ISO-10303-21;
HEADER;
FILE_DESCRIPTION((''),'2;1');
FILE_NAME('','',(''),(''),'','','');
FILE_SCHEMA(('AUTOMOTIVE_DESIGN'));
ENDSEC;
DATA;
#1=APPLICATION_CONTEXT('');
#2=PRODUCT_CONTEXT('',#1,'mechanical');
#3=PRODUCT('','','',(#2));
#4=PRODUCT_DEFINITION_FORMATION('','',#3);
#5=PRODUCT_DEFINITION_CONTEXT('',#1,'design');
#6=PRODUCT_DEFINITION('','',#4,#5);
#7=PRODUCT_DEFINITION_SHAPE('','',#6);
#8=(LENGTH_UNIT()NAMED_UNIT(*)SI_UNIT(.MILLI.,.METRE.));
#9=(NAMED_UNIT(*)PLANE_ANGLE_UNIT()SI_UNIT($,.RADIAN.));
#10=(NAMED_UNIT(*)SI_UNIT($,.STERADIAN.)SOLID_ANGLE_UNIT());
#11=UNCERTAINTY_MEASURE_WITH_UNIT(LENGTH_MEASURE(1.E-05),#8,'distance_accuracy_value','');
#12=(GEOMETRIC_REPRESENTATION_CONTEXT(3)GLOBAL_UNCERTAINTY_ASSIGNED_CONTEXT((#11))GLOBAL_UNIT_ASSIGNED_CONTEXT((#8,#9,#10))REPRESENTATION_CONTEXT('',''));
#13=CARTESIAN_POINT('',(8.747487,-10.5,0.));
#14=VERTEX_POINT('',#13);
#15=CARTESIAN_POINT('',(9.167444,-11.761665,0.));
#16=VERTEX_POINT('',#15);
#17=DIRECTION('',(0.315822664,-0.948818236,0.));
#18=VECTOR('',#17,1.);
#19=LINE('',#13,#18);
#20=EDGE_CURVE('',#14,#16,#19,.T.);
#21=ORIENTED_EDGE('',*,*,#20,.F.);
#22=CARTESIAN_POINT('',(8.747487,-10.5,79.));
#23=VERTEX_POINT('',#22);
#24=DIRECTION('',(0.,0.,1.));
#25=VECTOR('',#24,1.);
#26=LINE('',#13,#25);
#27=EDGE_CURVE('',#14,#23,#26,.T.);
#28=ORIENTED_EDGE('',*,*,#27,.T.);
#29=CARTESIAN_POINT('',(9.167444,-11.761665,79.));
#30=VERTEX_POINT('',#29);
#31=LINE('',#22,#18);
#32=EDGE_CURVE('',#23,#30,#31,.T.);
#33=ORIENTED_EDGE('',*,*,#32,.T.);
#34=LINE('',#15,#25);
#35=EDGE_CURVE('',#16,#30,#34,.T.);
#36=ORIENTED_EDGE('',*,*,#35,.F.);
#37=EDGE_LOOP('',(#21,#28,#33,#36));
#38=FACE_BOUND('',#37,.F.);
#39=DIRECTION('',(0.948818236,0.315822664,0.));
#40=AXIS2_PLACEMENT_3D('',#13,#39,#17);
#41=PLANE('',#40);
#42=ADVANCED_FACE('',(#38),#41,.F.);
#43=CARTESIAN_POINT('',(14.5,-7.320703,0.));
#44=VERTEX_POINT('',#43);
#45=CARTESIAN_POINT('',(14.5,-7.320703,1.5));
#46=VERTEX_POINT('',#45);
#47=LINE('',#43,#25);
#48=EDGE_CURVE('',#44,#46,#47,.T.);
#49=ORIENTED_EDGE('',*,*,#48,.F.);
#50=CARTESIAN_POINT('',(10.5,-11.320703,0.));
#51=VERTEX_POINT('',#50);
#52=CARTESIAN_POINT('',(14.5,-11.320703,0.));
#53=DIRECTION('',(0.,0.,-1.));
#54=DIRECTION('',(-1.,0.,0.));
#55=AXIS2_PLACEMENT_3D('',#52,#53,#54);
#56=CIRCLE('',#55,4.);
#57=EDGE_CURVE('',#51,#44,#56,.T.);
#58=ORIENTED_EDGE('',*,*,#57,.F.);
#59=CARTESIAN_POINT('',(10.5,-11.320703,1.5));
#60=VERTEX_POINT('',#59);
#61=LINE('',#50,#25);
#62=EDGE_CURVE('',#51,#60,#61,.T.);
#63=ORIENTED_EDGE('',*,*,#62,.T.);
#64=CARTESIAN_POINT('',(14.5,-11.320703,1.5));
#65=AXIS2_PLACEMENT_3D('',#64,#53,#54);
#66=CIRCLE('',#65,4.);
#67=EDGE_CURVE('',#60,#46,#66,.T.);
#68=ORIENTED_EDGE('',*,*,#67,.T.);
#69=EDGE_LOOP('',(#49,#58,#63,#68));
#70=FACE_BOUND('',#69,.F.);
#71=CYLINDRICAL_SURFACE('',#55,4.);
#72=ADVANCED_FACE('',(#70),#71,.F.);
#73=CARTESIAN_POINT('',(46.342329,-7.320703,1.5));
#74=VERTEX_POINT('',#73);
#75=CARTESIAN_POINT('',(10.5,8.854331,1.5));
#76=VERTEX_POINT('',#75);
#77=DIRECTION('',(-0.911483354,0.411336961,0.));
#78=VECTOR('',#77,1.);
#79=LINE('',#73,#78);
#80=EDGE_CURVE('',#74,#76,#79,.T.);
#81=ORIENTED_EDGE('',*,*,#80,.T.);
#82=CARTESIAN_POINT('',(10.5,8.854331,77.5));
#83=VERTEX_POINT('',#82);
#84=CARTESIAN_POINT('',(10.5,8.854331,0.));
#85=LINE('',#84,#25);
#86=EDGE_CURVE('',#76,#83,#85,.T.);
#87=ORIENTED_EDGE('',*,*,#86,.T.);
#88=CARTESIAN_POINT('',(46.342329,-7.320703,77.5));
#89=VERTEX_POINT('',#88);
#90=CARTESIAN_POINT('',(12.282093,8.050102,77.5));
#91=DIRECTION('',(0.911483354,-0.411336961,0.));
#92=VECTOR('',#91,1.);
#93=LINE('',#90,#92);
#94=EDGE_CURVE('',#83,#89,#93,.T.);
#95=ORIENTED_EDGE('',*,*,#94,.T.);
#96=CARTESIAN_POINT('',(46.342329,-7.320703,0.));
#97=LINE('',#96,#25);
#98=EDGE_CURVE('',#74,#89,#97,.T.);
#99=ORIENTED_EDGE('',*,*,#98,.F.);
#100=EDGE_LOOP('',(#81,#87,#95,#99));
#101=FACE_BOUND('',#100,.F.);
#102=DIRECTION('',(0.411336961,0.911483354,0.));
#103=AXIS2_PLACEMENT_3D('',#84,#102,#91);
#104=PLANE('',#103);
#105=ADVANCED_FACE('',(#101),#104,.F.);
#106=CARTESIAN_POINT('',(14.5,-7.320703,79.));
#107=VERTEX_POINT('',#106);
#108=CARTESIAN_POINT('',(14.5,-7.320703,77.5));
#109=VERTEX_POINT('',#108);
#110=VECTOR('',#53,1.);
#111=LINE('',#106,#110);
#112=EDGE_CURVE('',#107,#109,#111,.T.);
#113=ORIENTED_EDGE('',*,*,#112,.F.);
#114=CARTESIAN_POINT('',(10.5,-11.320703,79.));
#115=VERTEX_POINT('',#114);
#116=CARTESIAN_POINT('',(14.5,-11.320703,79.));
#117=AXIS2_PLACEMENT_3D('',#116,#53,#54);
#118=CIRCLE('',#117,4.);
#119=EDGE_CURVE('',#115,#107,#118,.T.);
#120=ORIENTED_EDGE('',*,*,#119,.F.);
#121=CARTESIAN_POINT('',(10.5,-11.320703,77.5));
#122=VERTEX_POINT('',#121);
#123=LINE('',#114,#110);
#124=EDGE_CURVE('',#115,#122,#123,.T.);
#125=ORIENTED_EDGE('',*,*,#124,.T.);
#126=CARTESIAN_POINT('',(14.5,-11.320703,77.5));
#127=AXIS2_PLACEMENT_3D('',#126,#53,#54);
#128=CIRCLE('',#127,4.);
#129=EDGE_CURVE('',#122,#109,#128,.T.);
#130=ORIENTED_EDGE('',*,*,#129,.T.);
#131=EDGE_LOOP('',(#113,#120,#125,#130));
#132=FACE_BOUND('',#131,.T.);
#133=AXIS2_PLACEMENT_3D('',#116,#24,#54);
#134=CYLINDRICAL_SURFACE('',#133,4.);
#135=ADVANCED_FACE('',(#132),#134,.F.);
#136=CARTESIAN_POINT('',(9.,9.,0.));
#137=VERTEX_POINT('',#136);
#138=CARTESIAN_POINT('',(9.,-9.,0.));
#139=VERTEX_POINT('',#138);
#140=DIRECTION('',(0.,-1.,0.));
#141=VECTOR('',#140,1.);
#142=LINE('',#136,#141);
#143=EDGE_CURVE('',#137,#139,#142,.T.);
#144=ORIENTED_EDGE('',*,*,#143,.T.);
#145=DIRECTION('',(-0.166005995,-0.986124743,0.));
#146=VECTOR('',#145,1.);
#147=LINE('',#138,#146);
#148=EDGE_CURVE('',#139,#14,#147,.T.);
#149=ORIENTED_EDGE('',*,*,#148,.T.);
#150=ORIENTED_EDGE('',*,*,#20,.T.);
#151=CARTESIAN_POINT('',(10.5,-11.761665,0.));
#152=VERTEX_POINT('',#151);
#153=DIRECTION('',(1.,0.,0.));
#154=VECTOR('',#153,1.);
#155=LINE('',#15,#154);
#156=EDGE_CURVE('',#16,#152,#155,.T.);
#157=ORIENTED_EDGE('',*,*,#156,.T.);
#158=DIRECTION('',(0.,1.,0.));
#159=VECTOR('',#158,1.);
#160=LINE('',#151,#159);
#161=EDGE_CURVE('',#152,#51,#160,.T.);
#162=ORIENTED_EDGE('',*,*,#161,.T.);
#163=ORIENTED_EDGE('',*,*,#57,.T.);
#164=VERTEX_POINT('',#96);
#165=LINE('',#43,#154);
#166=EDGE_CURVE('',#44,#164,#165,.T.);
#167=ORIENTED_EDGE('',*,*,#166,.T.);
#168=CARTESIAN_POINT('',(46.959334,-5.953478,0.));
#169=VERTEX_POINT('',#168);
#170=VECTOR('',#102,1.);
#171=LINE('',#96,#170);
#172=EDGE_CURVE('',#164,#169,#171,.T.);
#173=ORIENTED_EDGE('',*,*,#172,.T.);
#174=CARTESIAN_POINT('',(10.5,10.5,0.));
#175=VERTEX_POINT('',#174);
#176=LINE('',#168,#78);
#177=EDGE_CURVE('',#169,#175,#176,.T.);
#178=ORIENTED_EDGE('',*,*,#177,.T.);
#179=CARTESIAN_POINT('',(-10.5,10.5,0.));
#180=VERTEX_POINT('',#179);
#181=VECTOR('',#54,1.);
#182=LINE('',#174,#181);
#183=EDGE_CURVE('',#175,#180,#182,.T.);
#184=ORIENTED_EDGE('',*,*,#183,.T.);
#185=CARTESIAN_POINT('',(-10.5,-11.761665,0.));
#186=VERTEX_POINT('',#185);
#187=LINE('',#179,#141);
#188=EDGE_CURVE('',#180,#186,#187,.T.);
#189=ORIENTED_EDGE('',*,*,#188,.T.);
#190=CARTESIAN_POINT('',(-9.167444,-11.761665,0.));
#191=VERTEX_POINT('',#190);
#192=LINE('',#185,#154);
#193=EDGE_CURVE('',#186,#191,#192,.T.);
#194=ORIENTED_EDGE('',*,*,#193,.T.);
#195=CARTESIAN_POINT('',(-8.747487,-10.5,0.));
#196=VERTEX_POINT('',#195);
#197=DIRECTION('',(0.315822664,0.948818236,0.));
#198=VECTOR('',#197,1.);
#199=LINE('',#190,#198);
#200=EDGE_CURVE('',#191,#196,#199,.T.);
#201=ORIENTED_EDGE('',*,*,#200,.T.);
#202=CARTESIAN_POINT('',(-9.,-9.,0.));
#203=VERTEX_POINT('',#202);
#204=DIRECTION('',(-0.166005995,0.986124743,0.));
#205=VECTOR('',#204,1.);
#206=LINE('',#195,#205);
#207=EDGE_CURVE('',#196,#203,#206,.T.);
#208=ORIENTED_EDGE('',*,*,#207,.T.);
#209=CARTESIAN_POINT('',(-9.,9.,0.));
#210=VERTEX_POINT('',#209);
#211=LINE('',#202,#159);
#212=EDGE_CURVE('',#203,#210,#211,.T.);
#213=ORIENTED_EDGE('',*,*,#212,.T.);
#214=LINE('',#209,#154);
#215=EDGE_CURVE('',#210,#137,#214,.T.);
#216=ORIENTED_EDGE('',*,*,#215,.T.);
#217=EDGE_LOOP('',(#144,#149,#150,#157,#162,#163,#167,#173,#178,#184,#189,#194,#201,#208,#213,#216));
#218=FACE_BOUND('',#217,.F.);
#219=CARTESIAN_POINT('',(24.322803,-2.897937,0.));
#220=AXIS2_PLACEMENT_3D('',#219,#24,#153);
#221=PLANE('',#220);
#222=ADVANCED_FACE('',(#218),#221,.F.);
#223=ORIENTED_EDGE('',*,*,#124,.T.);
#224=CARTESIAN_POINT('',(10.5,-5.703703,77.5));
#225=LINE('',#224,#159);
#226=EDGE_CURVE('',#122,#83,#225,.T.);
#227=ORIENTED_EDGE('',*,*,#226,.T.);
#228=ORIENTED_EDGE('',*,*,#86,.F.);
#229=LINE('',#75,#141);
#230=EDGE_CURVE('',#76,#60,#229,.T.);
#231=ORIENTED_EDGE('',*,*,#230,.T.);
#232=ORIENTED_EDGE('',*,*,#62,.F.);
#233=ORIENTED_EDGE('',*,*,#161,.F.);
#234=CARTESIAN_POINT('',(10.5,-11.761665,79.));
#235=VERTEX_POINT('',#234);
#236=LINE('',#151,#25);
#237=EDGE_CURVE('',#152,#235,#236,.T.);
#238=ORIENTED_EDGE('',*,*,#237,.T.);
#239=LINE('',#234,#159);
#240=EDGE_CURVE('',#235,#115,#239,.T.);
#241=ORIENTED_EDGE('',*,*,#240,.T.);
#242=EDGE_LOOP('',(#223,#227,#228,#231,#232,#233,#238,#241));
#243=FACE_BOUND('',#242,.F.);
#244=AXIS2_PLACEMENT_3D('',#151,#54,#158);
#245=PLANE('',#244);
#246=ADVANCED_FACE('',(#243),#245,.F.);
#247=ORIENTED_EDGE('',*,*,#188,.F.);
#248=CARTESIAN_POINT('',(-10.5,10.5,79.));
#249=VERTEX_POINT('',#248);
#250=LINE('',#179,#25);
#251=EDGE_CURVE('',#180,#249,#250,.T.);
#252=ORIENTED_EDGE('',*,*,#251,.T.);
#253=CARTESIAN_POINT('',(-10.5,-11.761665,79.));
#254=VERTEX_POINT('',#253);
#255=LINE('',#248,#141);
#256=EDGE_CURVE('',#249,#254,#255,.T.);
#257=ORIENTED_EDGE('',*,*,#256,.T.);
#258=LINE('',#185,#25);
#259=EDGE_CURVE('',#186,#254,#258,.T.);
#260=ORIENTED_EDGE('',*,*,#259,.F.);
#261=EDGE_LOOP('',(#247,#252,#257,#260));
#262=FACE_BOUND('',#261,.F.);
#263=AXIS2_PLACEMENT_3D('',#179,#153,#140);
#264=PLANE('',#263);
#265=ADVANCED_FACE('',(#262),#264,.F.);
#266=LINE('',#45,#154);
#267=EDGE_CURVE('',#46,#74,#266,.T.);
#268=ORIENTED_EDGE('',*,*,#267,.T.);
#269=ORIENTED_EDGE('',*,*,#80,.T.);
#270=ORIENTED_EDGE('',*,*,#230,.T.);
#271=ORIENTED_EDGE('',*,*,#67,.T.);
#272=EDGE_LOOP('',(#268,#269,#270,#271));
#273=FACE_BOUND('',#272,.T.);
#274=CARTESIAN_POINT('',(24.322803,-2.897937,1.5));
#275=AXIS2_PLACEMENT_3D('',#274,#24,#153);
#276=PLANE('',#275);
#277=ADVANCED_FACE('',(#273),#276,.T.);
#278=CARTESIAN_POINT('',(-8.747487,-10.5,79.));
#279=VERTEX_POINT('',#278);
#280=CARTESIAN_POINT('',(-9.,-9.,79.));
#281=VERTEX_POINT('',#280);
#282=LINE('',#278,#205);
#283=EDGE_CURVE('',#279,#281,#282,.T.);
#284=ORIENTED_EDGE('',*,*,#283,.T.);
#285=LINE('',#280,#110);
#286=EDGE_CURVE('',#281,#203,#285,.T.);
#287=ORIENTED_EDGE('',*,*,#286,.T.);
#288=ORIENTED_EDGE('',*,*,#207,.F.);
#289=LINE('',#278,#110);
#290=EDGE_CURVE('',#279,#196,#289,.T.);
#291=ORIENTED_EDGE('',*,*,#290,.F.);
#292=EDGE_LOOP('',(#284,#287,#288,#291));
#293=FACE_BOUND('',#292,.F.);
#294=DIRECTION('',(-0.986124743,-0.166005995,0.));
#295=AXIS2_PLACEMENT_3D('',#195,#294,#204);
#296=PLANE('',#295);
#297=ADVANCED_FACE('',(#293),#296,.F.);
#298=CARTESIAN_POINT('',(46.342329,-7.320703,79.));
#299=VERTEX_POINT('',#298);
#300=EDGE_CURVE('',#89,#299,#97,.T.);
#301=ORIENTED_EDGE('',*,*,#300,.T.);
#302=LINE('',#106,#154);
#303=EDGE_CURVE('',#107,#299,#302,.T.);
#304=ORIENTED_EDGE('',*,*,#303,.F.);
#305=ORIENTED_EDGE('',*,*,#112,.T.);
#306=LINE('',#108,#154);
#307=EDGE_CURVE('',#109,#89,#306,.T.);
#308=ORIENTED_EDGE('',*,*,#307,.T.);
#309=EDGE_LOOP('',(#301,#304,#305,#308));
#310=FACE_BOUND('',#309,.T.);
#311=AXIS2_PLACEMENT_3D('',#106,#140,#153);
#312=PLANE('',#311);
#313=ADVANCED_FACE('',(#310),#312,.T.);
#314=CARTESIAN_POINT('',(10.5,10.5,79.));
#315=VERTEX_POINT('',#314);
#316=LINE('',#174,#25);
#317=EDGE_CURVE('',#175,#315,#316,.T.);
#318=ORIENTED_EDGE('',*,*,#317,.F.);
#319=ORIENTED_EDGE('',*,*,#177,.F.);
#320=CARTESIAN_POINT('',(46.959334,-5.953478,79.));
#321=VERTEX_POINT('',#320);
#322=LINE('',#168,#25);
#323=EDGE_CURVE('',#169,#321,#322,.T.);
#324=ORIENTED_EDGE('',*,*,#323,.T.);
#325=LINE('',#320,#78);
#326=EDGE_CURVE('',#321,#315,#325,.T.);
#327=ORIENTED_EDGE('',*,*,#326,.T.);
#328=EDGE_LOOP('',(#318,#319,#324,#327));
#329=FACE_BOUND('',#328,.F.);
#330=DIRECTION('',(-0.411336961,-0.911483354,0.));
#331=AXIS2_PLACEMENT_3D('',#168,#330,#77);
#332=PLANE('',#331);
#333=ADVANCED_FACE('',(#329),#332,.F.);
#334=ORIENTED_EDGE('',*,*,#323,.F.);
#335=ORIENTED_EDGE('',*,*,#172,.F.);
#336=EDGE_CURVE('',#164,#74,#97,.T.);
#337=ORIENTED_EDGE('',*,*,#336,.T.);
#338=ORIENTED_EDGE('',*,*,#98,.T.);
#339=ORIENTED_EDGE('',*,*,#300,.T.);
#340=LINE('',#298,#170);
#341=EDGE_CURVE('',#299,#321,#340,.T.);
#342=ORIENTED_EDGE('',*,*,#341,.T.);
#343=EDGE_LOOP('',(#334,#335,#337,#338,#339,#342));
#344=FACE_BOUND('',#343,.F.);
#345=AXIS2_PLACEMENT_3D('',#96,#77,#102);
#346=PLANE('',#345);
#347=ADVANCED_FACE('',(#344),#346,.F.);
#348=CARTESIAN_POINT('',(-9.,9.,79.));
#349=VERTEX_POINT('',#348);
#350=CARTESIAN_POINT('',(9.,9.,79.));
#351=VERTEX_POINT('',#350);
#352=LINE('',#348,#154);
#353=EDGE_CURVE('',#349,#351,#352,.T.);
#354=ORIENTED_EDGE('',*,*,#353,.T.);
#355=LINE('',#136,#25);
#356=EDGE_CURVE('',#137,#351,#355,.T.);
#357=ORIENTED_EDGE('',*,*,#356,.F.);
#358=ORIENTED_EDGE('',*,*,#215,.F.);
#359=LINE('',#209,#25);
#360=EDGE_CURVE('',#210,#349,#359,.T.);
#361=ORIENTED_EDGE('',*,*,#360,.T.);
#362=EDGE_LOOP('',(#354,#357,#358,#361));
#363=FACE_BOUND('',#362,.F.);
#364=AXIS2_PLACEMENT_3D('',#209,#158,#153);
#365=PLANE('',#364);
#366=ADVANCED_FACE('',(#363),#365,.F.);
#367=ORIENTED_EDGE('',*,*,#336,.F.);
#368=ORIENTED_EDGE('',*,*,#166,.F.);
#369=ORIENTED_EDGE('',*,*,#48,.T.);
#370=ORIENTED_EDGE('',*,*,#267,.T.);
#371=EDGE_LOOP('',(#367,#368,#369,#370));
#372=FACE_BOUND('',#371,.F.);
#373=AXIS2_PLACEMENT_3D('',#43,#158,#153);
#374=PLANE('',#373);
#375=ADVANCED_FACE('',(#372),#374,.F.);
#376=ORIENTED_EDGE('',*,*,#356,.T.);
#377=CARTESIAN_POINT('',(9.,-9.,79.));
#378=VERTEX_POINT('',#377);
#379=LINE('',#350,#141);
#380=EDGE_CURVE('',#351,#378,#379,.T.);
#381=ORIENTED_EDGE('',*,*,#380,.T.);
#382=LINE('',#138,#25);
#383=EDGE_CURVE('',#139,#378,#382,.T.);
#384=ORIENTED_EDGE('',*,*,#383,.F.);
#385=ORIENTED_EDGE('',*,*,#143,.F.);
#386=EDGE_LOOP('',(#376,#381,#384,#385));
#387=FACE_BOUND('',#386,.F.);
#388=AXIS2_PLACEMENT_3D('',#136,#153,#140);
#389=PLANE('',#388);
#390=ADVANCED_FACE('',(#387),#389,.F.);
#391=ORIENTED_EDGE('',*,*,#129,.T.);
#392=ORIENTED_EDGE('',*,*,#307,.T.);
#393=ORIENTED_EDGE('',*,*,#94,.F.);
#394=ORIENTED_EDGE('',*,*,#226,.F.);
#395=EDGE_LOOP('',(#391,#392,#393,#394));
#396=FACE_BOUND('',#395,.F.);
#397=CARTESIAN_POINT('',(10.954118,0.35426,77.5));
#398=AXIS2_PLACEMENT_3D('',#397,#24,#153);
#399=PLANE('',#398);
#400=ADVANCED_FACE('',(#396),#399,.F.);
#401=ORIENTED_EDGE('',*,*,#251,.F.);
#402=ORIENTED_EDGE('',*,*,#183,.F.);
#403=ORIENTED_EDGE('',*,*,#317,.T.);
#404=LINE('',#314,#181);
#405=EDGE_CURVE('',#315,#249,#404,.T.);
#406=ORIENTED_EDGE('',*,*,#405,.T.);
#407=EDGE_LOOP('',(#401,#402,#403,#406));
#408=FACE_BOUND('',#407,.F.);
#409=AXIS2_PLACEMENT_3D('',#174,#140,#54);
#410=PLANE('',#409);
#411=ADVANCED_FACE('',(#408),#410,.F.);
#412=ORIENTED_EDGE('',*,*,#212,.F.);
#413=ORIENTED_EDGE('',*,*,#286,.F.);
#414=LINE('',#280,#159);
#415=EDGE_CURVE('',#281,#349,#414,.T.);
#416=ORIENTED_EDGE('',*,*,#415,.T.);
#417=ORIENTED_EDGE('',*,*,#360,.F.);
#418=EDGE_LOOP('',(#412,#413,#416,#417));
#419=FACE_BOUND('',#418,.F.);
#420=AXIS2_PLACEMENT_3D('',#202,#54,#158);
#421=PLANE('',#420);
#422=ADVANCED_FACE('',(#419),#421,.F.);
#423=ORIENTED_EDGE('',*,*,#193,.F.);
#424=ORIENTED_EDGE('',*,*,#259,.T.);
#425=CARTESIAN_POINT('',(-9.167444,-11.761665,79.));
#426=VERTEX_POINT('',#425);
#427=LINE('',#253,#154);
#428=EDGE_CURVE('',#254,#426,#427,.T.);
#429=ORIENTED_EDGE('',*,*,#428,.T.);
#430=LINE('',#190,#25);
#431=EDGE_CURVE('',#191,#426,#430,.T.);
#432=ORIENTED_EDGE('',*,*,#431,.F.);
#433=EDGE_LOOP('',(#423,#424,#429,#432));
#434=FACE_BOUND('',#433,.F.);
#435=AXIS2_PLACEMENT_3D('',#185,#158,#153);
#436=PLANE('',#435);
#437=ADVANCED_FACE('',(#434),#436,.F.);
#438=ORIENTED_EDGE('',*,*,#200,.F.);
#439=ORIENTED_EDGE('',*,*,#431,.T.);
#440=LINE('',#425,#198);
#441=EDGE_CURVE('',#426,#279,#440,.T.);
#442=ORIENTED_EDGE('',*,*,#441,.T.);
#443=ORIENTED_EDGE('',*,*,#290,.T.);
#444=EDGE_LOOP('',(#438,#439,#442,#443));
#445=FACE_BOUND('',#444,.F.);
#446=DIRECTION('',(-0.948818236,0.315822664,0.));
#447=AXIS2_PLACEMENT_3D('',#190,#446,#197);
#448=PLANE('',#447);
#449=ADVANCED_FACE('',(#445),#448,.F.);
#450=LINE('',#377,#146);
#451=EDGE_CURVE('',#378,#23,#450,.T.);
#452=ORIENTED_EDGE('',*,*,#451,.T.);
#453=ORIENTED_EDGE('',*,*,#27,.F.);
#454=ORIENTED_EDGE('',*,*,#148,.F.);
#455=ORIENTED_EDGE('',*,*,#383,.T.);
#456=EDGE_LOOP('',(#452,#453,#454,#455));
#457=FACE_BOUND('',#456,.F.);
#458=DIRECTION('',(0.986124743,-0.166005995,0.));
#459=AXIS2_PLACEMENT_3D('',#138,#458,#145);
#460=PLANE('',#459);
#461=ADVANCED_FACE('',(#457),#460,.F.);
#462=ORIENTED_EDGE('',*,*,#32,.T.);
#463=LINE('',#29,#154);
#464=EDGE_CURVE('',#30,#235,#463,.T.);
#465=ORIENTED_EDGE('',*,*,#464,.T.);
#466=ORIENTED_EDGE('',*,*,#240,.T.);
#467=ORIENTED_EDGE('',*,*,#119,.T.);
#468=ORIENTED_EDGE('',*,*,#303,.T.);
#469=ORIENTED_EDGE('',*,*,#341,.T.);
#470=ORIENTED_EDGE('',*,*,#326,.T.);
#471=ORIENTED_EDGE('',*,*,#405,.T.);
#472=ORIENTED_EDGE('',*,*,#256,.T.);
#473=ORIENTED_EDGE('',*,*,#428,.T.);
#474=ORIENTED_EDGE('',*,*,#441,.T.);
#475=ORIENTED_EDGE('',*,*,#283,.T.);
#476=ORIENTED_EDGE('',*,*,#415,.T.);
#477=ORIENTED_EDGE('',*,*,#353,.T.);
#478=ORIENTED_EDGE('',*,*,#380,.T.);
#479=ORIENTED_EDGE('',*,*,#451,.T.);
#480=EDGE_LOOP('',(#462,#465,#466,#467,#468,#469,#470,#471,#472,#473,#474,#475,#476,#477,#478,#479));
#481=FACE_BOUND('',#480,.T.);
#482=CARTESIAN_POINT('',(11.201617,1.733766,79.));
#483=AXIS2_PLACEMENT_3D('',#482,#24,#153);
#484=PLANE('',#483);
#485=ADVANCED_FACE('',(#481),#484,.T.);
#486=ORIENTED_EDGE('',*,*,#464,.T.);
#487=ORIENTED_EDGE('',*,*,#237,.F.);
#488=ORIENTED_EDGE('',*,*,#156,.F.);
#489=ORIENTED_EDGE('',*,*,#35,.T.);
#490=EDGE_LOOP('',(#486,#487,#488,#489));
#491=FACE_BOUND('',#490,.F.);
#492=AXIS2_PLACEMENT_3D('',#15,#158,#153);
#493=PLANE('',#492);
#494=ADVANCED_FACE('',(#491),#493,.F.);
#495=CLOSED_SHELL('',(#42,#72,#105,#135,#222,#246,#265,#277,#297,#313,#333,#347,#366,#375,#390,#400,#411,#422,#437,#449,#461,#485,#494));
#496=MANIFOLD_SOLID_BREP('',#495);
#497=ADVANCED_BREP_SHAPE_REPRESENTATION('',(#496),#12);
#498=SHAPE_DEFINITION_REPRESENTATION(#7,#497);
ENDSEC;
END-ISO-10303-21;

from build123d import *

# Parameters (mm, degrees)
F1_DEPTH = 79
F4_DEPTH = 1.5
F5_DEPTH = 1.5


with BuildPart() as f1:
    # F0 (on Top) → F1 (new body)
    with BuildSketch(Plane.XY):
        Polygon((-9, -9), (-9, 9), (9, 9), (9, -9), (8.7474873289, -10.5), (9.1674439609, -11.7616653442), (10.5, -11.7616653442), (10.5, -11.3207034852), (10.5, 8.8543308896), (46.3423287091, -7.3207034852), (46.9593341512, -5.9534784545), (10.5, 10.5), (-10.5, 10.5), (-10.5, -11.7616653442), (-9.1674439609, -11.7616653442), (-8.7474873289, -10.5), align=None)
    extrude(amount=F1_DEPTH)

    # F3 (on offset) → F4 (join)
    with BuildSketch(Plane.XY.offset(79)):
        with BuildLine():
            Line((-9, -9), (-9, 9))
            Line((-9, 9), (9, 9))
            Line((9, 9), (9, -9))
            Line((9, -9), (8.7474873289, -10.5))
            Line((8.7474873289, -10.5), (9.1674439609, -11.7616653442))
            Line((9.1674439609, -11.7616653442), (10.5, -11.7616653442))
            Line((10.5, -11.7616653442), (10.5, -11.3207034852))
            ThreePointArc((10.5, -11.3207034852), (11.6715728753, -8.4922763604), (14.5, -7.3207034852))
            Line((14.5, -7.3207034852), (46.3423287091, -7.3207034852))
            Line((46.3423287091, -7.3207034852), (46.9593341512, -5.9534784545))
            Line((46.9593341512, -5.9534784545), (10.5, 10.5))
            Line((10.5, 10.5), (-10.5, 10.5))
            Line((-10.5, 10.5), (-10.5, -11.7616653442))
            Line((-10.5, -11.7616653442), (-9.1674439609, -11.7616653442))
            Line((-9.1674439609, -11.7616653442), (-8.7474873289, -10.5))
            Line((-8.7474873289, -10.5), (-9, -9))
        make_face()
    extrude(amount=-F4_DEPTH)

    # F0 (on Top) → F5 (join)
    with BuildSketch(Plane.XY):
        with BuildLine():
            Line((10.5, 8.8543308896), (10.5, -11.3207034852))
            ThreePointArc((10.5, -11.3207034852), (11.6715728753, -8.4922763604), (14.5, -7.3207034852))
            Line((14.5, -7.3207034852), (46.3423287091, -7.3207034852))
            Line((46.3423287091, -7.3207034852), (10.5, 8.8543308896))
        make_face()
    extrude(amount=F5_DEPTH)


solid = f1.part
